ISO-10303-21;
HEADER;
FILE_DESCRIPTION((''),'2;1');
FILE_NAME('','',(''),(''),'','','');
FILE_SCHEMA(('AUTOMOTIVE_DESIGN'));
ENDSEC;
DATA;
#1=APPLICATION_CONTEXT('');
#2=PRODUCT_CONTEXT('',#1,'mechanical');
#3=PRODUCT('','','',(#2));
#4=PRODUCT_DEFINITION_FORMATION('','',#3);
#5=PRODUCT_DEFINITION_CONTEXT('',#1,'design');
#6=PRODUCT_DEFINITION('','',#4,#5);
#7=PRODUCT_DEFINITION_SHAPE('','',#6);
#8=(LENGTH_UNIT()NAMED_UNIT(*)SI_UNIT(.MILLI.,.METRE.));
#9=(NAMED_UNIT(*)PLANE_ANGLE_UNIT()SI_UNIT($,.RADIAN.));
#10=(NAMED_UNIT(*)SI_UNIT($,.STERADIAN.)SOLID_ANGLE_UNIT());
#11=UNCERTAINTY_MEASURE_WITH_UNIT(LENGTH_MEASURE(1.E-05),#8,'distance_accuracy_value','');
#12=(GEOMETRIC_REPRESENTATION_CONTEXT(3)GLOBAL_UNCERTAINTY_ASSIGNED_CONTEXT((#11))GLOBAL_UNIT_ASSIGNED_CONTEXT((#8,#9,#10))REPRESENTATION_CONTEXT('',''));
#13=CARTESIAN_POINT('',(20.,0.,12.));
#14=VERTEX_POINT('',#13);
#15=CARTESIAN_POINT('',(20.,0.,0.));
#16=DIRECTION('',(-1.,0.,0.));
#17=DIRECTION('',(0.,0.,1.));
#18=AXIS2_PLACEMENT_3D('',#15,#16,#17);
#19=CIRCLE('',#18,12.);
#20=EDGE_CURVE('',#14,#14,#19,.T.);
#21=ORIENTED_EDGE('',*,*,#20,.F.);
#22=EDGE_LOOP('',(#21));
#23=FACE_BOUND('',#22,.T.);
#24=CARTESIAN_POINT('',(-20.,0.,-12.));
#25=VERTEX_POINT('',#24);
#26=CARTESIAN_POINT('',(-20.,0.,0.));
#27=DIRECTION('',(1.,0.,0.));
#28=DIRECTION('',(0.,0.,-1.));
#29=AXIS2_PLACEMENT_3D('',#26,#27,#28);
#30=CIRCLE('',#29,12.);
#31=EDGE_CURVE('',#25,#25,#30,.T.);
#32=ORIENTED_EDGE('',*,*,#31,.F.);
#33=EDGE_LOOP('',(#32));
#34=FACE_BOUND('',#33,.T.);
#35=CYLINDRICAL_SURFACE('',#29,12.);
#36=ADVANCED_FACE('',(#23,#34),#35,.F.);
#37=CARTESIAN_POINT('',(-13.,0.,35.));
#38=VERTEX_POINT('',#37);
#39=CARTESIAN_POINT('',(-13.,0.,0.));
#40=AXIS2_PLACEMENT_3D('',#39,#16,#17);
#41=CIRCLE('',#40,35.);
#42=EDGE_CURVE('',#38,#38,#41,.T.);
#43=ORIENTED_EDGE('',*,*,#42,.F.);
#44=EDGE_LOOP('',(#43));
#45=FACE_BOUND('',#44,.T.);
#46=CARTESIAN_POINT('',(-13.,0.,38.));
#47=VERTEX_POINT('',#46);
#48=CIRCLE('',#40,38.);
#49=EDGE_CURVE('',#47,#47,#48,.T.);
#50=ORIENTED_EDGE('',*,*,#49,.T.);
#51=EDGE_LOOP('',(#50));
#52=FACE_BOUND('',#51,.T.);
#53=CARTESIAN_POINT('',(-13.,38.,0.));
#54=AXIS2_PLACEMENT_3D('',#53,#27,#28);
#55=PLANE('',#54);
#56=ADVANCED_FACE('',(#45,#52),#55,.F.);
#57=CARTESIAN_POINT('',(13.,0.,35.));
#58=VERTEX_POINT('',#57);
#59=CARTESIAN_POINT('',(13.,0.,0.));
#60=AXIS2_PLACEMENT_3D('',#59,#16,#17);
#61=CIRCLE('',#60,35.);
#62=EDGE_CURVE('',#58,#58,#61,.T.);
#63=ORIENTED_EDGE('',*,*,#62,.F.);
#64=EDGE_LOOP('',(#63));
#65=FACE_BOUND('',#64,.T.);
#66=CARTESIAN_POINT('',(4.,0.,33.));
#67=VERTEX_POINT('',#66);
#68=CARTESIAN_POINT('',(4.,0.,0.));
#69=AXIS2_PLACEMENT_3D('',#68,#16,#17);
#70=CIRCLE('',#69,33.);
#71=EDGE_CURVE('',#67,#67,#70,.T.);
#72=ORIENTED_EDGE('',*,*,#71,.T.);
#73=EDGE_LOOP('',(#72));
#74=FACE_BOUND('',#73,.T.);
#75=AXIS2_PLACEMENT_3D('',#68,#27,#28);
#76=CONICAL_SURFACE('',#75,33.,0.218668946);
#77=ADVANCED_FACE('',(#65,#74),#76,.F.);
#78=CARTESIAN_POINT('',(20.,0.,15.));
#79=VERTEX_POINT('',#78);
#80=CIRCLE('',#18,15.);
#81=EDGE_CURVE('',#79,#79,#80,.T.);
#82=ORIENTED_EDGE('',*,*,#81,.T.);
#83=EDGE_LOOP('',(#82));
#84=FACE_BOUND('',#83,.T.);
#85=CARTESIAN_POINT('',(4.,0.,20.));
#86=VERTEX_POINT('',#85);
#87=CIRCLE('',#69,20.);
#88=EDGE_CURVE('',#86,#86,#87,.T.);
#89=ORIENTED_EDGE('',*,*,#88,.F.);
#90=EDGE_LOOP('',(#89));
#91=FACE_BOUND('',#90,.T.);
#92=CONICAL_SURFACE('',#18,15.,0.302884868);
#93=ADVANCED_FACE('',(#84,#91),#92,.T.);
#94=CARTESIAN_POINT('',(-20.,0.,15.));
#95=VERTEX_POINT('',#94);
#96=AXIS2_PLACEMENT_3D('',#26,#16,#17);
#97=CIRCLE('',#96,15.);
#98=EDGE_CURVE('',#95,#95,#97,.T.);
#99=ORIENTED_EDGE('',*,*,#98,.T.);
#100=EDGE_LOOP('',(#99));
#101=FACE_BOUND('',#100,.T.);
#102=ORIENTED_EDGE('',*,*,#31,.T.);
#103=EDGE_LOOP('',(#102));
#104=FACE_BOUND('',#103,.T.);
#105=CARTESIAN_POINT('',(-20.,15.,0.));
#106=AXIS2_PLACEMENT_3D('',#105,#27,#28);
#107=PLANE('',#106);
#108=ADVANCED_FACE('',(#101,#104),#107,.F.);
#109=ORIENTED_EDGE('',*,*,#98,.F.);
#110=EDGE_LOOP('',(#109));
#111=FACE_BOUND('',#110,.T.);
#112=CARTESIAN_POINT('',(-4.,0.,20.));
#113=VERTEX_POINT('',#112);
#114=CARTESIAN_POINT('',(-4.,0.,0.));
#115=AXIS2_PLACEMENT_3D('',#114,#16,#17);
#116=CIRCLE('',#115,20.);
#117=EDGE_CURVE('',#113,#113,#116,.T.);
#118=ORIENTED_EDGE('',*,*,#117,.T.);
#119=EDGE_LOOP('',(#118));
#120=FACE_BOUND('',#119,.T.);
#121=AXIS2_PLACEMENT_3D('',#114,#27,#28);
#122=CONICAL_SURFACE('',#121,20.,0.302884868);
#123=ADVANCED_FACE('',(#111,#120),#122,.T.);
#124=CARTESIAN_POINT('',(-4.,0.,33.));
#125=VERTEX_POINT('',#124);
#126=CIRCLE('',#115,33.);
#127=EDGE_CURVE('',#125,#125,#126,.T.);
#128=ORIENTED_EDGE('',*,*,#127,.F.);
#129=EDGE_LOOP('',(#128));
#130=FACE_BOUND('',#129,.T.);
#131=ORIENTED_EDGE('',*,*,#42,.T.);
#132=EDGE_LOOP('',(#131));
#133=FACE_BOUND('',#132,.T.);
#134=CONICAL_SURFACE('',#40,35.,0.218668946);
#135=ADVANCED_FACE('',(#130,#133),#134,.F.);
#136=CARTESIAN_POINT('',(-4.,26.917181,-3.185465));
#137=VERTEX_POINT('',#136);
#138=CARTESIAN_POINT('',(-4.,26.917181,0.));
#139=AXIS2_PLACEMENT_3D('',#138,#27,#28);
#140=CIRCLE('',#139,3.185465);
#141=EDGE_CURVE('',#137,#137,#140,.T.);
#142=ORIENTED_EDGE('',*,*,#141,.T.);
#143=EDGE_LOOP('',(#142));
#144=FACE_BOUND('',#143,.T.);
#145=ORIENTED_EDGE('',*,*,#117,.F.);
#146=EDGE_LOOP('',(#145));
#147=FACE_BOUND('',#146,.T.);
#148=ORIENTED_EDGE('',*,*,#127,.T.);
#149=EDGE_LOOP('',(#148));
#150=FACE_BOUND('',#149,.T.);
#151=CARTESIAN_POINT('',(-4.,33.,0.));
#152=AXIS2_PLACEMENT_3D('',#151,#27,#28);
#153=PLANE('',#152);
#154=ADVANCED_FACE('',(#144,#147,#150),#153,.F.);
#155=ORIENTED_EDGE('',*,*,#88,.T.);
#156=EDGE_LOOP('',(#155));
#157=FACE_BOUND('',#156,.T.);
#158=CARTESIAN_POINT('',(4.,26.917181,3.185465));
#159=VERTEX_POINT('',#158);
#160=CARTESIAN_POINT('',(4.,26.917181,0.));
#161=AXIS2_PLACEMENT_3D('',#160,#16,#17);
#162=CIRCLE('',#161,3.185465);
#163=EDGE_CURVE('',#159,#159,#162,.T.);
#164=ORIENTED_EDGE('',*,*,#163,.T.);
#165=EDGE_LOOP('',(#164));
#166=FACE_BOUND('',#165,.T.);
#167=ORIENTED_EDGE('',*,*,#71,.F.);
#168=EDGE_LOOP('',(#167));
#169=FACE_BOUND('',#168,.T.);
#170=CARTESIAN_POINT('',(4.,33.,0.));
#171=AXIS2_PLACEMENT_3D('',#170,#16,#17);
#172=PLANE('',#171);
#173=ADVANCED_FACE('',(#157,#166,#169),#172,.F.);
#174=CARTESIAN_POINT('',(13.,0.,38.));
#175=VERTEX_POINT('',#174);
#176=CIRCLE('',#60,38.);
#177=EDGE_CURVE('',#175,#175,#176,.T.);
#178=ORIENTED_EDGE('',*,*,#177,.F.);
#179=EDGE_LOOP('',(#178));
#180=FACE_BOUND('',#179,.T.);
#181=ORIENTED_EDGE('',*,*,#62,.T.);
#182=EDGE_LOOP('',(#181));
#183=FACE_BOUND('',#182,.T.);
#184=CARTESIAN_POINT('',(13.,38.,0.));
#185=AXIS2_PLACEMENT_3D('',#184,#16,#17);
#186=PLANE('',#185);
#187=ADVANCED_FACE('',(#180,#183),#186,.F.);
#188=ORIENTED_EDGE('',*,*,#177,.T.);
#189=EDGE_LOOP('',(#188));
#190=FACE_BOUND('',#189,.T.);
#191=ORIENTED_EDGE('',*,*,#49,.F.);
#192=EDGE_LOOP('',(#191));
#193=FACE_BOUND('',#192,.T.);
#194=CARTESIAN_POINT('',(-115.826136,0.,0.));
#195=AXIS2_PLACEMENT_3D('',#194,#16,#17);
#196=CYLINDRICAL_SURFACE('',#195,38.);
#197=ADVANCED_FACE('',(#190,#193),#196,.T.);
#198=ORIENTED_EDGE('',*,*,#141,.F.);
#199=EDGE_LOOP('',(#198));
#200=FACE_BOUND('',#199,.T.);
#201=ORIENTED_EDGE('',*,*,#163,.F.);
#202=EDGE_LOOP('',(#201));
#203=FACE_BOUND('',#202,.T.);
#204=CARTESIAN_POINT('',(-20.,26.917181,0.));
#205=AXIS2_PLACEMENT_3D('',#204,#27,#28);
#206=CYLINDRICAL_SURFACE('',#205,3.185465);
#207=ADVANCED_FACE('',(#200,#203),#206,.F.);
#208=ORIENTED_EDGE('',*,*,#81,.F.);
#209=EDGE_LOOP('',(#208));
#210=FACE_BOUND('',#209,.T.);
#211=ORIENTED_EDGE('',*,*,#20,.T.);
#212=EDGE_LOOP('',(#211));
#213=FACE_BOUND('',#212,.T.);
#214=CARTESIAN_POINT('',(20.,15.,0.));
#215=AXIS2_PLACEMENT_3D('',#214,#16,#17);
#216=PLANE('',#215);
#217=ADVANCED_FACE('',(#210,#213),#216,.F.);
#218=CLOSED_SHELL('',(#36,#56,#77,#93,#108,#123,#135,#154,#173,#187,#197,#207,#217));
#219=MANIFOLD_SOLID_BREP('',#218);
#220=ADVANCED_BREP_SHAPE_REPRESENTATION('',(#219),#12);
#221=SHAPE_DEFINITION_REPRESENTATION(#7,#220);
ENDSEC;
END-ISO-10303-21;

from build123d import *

# Parameters (mm, degrees)
CUT_EXTRUDE1_DEPTH      = 67.992536898
CUT_EXTRUDE1_DEPTH_BACK = 67.992536898
SKETCH2_R               = 12
CUT_EXTRUDE2_DEPTH      = 59.855755878
CUT_EXTRUDE2_DEPTH_BACK = 59.855755878
SKETCH3_R               = 3.185465226


with BuildPart() as part:
    # Sketch1 → Revolve1 (revolve)
    with BuildSketch(Plane.XY, mode=Mode.PRIVATE) as revolve1_sk:
        Polygon((-13, 38), (13, 38), (13, 35), (4, 33), (4, 20), (20, 15), (20, 0), (-20, 0), (-20, 15), (-4, 20), (-4, 33), (-13, 35), align=None)
    revolve(revolve1_sk.sketch.rotate(Axis((-115.826136374, 0, 0), (1, 0, 0)), 90), axis=Axis((-115.826136374, 0, 0), (1, 0, 0)))

    # Sketch2 → Cut-Extrude1 (cut, two sides: drawn at the far end of the back side and taken through both)
    with BuildSketch(Plane(origin=(20, 0, 0), x_dir=(0, 0, -1), z_dir=(1, 0, 0)).offset(-CUT_EXTRUDE1_DEPTH_BACK)):
        Circle(SKETCH2_R)
    extrude(amount=CUT_EXTRUDE1_DEPTH + CUT_EXTRUDE1_DEPTH_BACK, mode=Mode.SUBTRACT)

    # Sketch3 → Cut-Extrude2 (cut, two sides: drawn at the far end of the back side and taken through both)
    with BuildSketch(Plane(origin=(4, 0, 0), x_dir=(0, 0, -1), z_dir=(1, 0, 0)).offset(-CUT_EXTRUDE2_DEPTH_BACK)):
        with Locations((0, 26.917181157)):
            Circle(SKETCH3_R)
    extrude(amount=CUT_EXTRUDE2_DEPTH + CUT_EXTRUDE2_DEPTH_BACK, mode=Mode.SUBTRACT)


solid = part.part
